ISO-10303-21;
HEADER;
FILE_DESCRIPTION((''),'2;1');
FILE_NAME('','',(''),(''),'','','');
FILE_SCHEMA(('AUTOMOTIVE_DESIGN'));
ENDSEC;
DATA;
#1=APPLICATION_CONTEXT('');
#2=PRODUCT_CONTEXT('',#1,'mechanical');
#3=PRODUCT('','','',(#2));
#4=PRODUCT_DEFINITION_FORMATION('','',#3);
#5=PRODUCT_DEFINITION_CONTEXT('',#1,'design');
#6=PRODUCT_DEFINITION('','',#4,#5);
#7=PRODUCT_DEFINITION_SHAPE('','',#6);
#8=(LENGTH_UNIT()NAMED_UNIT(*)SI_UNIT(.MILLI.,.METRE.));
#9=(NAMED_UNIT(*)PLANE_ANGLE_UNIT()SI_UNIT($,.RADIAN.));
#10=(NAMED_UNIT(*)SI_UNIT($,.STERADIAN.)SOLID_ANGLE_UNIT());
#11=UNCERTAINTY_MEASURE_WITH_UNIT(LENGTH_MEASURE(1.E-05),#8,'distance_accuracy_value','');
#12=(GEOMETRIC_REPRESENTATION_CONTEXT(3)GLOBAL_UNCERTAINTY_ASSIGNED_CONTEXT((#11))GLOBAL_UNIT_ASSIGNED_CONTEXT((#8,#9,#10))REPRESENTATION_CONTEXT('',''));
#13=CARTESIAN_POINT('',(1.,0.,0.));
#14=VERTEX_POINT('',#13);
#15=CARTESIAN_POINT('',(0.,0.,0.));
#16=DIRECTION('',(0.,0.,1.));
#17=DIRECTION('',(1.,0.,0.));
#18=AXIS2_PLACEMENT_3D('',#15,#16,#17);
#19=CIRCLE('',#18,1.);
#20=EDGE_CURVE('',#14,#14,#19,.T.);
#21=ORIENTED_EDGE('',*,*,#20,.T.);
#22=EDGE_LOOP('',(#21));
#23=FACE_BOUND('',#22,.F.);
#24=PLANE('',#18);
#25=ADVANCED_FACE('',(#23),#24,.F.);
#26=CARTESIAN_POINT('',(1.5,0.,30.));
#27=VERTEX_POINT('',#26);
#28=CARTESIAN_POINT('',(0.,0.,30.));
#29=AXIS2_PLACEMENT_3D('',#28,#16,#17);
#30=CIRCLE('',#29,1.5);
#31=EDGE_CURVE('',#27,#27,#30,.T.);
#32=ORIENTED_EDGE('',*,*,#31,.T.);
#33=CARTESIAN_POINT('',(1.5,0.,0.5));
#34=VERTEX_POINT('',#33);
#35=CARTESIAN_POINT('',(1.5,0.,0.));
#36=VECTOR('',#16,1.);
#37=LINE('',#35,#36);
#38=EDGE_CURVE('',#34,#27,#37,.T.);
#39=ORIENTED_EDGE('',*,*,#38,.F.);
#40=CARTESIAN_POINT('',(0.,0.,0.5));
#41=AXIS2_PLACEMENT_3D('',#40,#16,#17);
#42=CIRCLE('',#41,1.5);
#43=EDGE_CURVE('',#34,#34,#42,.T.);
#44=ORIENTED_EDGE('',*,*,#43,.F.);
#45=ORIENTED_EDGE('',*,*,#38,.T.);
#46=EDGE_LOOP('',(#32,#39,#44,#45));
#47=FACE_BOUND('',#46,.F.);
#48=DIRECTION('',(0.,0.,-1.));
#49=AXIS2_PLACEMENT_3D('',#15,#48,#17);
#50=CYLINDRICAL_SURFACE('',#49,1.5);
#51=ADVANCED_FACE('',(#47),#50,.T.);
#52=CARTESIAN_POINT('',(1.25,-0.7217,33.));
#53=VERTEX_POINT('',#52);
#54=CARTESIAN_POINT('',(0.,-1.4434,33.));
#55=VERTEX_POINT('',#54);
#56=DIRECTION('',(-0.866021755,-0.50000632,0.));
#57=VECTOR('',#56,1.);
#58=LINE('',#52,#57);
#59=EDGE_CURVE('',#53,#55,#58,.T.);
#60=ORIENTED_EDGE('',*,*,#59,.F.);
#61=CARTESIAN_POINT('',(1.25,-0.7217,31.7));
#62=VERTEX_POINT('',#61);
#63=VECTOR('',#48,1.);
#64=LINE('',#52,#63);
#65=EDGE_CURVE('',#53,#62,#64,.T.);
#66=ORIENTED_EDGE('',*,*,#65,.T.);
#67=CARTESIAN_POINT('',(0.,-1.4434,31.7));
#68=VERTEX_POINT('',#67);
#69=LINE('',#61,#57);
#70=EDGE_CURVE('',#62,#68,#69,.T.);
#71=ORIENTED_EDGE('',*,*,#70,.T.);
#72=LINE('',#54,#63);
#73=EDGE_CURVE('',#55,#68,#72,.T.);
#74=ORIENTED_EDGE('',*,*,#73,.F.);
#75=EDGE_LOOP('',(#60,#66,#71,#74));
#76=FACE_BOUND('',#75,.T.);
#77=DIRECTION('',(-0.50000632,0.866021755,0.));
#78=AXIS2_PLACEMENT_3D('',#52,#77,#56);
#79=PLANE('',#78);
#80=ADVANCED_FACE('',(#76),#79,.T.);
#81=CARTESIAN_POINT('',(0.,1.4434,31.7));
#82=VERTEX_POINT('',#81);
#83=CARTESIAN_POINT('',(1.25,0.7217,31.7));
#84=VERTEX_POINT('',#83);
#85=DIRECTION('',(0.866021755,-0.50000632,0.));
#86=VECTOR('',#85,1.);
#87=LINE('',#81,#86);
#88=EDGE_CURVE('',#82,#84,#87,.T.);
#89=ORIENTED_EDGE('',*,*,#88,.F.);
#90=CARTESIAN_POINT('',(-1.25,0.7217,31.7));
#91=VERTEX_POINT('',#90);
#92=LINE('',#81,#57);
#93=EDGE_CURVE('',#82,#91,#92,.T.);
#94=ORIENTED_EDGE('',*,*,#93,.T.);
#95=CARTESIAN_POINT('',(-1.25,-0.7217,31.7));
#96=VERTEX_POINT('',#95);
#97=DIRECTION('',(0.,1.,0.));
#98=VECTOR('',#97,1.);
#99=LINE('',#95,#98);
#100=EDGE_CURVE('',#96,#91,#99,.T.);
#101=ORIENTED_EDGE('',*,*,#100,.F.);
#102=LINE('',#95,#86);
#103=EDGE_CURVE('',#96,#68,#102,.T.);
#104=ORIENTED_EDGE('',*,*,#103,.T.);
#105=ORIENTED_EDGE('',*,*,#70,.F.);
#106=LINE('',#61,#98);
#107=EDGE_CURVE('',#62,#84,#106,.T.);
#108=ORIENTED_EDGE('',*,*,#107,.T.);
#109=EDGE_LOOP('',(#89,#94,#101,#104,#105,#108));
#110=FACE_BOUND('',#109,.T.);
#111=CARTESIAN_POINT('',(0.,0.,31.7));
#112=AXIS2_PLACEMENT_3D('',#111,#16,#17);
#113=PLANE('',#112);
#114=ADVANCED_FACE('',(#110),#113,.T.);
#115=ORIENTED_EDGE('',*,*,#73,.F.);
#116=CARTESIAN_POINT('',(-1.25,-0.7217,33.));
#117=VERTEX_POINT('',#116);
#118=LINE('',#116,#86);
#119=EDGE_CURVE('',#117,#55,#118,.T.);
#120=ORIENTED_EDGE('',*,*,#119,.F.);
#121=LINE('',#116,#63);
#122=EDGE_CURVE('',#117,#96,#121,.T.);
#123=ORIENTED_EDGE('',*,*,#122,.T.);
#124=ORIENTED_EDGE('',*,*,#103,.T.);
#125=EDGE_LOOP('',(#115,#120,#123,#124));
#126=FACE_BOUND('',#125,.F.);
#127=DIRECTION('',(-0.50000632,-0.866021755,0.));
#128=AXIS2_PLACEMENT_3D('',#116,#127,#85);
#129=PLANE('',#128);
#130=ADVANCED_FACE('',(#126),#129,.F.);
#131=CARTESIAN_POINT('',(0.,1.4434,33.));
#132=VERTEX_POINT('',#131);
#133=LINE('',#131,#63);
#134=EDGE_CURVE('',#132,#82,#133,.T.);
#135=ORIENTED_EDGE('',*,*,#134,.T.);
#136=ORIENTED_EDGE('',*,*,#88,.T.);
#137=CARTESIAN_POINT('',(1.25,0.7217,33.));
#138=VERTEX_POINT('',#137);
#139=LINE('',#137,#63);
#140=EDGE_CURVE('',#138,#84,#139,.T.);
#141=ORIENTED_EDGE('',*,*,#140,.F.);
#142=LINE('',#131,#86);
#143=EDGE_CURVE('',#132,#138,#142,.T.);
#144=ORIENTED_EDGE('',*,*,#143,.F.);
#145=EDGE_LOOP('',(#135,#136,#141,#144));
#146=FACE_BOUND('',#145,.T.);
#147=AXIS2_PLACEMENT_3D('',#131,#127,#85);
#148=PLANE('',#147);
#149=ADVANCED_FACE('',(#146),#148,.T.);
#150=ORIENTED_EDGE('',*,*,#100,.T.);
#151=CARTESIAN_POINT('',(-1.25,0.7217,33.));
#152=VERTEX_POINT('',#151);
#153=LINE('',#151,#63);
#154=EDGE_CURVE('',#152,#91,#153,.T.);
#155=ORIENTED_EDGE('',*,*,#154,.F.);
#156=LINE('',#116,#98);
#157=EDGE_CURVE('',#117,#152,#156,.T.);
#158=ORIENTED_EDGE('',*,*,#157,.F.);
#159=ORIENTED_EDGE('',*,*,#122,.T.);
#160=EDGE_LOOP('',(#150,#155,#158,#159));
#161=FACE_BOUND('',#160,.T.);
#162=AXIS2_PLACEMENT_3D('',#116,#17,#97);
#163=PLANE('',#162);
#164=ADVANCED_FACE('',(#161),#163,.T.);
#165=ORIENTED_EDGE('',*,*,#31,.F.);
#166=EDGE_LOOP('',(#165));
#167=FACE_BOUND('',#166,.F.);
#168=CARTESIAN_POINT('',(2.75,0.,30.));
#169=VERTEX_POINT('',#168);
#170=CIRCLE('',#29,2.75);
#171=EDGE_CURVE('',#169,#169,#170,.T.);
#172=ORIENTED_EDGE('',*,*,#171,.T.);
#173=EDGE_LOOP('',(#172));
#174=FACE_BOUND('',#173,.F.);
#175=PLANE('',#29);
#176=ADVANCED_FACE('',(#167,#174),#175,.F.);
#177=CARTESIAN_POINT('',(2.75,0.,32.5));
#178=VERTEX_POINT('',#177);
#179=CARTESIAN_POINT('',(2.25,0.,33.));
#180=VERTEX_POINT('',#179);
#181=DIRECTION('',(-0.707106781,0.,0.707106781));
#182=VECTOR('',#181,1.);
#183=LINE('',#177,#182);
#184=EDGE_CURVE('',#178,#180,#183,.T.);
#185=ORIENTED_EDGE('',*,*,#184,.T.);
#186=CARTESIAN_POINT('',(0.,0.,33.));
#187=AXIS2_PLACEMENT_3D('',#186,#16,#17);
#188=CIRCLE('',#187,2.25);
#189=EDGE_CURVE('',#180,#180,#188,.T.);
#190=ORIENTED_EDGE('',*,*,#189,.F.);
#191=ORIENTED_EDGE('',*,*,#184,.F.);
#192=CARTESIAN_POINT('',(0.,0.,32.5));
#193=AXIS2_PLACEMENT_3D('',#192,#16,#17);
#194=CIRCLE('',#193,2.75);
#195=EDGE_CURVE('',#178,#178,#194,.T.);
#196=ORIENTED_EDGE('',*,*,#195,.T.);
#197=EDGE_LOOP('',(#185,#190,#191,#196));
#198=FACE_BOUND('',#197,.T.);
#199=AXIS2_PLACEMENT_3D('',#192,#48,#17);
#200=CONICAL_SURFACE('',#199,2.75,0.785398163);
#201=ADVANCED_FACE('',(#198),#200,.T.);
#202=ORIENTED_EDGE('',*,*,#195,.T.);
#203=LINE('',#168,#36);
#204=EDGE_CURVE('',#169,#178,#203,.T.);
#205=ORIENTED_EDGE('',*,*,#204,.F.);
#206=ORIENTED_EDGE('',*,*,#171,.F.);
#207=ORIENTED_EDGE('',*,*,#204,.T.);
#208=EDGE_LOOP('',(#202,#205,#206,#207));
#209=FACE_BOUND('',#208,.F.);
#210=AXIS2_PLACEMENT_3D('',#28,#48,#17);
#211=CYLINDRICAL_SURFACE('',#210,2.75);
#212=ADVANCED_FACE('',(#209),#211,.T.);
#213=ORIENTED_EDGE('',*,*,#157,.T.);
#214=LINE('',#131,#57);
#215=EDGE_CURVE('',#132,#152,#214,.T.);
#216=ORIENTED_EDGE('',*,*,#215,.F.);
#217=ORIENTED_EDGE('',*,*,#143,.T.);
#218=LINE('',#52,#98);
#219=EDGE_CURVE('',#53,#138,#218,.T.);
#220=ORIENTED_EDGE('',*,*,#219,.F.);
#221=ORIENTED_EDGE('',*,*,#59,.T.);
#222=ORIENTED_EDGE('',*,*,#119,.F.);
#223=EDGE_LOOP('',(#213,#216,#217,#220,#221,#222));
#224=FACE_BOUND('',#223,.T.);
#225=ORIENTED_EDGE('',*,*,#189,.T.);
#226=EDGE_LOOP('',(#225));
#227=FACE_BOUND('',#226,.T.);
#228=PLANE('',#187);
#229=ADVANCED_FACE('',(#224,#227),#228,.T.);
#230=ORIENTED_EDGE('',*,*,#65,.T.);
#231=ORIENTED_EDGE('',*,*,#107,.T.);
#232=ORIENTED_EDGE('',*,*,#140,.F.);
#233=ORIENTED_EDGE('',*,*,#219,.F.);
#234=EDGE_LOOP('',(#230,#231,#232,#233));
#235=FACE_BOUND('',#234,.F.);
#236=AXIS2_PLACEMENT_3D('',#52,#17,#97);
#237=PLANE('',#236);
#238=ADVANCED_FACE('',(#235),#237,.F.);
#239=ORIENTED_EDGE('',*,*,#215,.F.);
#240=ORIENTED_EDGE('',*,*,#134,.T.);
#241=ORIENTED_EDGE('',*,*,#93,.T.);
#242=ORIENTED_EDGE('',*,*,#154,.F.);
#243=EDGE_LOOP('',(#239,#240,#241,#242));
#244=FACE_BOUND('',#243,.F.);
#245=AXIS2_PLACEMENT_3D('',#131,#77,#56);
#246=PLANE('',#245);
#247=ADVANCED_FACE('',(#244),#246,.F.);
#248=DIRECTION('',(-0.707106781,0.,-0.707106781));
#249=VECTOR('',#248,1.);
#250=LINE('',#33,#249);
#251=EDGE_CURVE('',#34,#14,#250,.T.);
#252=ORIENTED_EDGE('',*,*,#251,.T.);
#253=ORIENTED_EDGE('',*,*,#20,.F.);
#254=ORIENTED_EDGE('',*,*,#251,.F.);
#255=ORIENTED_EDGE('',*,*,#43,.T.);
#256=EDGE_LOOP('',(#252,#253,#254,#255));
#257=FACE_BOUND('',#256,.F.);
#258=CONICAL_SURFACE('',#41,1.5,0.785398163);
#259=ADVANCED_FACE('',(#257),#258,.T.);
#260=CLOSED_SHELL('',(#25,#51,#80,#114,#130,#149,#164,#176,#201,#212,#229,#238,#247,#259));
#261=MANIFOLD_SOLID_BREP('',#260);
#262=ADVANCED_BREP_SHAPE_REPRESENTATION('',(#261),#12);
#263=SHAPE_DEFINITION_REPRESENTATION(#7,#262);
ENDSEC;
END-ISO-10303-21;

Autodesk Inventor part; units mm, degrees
ref_plane "YZ Plane" through (0, 0, 0) normal (1, 0, 0) x (0, 1, 0)
ref_plane "XZ Plane" through (0, 0, 0) normal (0, 1, 0) x (-1, 0, 0)
ref_plane "XY Plane" through (0, 0, 0) normal (0, 0, 1) x (1, 0, 0)
sketch "Sketch1" plane through (0, 0, 0) normal (0, 0, 1) x (1, 0, 0)
  circle A0 centre (0, 0) radius 1.5
  dimension "Diameter" = 3
extrude "Extrusion1" add sketch "Sketch1" along normal blind 30
sketch "Sketch2" plane through (0, 0, 30) normal (0, 0, 1) x (1, 0, 0)
  circle A0 centre (0, 0) radius 1.5 projected
  circle A1 centre (0, 0) radius 2.75
  dimension "Kopdiameter" = 5.5
extrude "Extrusion2" add sketch "Sketch2" along normal blind 3 contours A0 | A1
sketch "Sketch3" plane through (0, 0, 33) normal (0, 0, 1) x (1, 0, 0)
  circle A0 centre (0, 0) radius 2.75 projected
  circle A1 centre (0, 0) radius 1.4434 construction
  line L0 (0, 1.4434) -> (1.25, 0.7217)
  line L1 (1.25, -0.7217) -> (1.25, 0.7217)
  line L2 (0, 1.4434) -> (-1.25, 0.7217)
  line L3 (-1.25, -0.7217) -> (-1.25, 0.7217)
  line L4 (-1.25, -0.7217) -> (0, -1.4434)
  line L5 (1.25, -0.7217) -> (0, -1.4434)
  dimension "Binnenzeskant" = 2.5
extrude "Extrusion3" cut sketch "Sketch3" against normal blind 1.3 contours L0 L1 L5 L4 L3 L2
thread "Thread1" size "M3x0.5" class "4g6g" standard "ISO Metric profile" full length
chamfer "Chaflán2" distance 0.5 angle 45 2 edges at (-2.75, 0, 33) (-1.5, 0, 0)
equation "\"d9\" = Draadlengte"
equation "\"Draadlengte\" = 24.75"
equation "\"Sizes\" = Diameter"
equation "\"Schroefdraad\" = Sizes"
properties part number "tornillo allen m3x30" material "Grade 8.8"
